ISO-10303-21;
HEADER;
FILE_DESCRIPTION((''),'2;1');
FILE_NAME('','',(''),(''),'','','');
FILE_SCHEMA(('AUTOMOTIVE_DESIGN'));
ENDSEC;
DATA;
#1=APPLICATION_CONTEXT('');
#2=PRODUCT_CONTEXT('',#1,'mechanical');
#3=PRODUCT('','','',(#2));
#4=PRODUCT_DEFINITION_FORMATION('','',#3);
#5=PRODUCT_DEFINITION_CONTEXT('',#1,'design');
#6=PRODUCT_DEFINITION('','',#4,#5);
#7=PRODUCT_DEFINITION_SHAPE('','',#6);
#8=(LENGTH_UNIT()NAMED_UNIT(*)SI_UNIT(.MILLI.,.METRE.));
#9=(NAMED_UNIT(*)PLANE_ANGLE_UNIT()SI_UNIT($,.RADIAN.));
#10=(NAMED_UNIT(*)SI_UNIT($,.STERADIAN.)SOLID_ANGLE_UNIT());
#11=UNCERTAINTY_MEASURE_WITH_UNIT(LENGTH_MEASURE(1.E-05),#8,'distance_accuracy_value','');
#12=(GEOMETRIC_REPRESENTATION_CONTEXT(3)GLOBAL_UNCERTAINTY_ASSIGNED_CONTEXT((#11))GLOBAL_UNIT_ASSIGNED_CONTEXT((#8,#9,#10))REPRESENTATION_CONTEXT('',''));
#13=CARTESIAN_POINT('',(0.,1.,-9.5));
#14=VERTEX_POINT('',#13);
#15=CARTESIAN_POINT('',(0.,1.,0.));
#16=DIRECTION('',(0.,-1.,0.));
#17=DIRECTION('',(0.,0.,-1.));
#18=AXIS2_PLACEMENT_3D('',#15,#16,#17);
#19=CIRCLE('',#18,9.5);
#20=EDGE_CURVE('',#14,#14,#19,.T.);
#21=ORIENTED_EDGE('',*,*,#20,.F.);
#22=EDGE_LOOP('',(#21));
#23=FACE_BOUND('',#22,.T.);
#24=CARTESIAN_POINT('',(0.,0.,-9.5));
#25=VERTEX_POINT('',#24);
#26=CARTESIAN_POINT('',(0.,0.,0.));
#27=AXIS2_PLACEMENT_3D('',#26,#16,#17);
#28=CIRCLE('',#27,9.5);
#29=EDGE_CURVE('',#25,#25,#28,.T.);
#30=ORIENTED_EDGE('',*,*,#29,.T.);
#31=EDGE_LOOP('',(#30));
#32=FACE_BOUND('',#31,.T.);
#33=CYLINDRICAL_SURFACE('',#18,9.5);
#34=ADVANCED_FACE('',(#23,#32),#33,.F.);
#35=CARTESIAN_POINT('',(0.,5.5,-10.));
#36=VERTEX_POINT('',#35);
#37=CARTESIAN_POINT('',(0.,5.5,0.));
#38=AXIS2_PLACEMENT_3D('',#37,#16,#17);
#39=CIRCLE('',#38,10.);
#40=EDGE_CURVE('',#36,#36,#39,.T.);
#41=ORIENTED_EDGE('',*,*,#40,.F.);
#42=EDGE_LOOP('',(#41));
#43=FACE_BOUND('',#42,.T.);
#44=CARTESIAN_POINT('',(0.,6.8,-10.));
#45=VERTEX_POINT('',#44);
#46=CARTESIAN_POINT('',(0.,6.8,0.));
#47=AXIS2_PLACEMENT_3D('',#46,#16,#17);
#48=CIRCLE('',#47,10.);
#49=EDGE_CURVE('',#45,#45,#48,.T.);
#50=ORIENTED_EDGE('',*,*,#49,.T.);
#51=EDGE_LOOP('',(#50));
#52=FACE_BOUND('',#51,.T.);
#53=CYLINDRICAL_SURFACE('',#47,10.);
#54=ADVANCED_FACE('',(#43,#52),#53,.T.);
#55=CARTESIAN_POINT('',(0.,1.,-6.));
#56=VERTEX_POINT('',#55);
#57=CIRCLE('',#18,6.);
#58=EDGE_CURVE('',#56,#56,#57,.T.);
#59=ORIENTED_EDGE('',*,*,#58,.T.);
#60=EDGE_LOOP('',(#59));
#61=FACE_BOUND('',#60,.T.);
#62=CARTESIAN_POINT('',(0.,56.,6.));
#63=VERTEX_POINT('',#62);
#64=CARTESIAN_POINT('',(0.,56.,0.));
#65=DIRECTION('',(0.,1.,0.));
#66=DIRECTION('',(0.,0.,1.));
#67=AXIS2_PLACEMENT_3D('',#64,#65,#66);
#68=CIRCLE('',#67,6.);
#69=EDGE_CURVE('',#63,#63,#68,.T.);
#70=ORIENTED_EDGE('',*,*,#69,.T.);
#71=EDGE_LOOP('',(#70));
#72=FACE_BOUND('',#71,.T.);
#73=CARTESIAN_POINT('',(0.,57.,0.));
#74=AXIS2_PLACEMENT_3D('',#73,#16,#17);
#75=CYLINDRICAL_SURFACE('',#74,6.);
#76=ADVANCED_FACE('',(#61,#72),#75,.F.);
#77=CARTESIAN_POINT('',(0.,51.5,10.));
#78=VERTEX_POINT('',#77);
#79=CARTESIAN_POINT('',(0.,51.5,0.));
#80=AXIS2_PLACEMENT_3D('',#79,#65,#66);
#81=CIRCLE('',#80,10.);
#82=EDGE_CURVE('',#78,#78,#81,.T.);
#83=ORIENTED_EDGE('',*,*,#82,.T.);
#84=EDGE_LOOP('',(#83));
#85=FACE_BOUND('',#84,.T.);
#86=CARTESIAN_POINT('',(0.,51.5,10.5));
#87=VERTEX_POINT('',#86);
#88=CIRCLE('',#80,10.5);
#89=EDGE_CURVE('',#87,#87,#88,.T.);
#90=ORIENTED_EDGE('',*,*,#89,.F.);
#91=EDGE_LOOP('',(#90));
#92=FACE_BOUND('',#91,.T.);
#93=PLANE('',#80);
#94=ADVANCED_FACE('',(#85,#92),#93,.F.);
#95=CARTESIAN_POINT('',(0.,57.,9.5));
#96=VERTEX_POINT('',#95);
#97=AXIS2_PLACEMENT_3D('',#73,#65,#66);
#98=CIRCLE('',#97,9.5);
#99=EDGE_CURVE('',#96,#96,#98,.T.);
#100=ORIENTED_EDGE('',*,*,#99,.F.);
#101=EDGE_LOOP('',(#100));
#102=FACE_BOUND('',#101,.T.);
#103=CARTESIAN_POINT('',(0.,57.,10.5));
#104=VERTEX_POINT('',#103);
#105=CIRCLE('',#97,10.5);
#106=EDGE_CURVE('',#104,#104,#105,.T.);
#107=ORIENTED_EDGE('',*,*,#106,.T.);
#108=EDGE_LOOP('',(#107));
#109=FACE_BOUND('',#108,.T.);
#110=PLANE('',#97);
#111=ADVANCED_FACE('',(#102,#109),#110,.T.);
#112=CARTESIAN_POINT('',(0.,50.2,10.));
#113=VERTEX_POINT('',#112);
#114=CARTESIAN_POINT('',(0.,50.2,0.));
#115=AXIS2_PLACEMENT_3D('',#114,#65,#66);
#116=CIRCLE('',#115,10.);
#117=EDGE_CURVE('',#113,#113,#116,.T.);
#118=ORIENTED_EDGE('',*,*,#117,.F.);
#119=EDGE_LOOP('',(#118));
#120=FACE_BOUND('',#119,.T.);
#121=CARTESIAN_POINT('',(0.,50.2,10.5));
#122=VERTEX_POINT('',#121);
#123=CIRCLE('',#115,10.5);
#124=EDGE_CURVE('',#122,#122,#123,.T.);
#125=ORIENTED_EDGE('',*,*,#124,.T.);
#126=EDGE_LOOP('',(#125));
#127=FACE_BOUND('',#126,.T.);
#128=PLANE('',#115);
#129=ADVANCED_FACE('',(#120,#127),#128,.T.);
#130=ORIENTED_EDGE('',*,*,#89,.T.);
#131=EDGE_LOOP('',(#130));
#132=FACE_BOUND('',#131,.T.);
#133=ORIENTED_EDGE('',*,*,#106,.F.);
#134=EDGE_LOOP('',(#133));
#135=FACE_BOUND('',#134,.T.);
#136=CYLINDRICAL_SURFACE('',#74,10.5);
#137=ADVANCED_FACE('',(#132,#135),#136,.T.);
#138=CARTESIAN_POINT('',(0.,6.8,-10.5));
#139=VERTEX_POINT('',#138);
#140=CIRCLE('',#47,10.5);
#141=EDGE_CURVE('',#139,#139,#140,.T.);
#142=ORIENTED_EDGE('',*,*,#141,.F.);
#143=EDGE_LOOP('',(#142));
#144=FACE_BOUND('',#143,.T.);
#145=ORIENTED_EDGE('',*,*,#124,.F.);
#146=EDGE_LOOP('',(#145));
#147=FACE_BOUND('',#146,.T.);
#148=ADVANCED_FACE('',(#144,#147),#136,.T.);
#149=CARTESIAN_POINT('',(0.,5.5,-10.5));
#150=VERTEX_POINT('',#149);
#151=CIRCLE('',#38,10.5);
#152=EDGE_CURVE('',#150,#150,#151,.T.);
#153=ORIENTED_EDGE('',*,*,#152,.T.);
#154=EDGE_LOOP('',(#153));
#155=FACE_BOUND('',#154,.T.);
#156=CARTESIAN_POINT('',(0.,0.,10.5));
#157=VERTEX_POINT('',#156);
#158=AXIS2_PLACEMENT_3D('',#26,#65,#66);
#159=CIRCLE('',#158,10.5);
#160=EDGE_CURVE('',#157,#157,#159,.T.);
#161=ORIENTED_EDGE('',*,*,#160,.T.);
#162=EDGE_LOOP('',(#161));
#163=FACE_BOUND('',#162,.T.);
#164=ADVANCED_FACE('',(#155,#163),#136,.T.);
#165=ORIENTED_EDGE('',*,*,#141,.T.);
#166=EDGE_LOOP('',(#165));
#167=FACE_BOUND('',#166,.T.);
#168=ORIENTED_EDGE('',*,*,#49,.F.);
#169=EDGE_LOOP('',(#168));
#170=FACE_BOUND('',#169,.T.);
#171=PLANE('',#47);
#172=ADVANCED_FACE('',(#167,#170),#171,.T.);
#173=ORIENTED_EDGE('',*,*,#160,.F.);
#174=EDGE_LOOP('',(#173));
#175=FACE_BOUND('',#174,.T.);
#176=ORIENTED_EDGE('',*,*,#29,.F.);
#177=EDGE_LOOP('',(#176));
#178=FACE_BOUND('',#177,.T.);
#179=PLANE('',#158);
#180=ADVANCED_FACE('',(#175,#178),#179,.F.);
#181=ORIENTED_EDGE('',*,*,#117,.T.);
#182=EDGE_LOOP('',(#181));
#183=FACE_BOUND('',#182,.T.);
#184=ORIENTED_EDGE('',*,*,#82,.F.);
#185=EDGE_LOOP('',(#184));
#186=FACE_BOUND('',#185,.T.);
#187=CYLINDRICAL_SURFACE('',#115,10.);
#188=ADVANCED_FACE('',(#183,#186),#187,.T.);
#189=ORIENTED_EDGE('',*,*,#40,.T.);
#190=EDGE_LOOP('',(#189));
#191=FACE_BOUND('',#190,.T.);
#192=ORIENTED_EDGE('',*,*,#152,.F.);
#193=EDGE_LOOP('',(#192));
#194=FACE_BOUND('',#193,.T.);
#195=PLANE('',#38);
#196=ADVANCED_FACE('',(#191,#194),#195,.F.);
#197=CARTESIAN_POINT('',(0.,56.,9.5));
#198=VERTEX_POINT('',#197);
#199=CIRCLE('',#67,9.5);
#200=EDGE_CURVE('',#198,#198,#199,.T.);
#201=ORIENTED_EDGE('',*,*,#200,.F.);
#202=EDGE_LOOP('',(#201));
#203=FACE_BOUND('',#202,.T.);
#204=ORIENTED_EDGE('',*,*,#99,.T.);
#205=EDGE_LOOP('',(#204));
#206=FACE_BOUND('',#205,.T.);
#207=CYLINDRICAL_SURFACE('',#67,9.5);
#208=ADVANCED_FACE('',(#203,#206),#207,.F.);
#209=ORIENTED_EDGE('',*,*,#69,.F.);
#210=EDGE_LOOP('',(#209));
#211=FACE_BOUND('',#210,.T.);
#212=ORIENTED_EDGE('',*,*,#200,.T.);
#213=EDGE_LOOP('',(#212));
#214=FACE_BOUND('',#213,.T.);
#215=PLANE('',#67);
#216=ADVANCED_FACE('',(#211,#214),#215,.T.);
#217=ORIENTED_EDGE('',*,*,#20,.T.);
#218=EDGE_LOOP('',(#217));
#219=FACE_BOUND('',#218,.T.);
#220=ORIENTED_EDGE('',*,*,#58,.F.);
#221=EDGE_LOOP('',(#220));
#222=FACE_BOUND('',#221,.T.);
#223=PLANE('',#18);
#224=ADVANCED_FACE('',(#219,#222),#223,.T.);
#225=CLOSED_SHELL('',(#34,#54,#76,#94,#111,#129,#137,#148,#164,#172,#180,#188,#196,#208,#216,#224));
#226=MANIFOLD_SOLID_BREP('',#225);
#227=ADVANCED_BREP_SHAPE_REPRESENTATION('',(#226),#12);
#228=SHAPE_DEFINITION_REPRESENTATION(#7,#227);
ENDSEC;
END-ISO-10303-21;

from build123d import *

# Parameters (mm, degrees)
SKETCH1_R         = 10.5
SKETCH1_R_2       = 6
EXTRUDE1_DEPTH    = 57
SKETCH2_R         = 9.5
EXTRUDE2_DEPTH    = 1
SKETCH3_R         = 9.5
EXTRUDE3_DEPTH    = 1
SKETCH4_OUTSIDE_W = 35.854
SKETCH4_OUTSIDE_H = 35.854
SKETCH4_OUTSIDE_R = 10
EXTRUDE4_DEPTH    = 1.3
SKETCH5_OUTSIDE_W = 35.854
SKETCH5_OUTSIDE_H = 35.854
SKETCH5_OUTSIDE_R = 10
EXTRUDE5_DEPTH    = 1.3


with BuildPart() as part:
    # Sketch1 → Extrude1 (new body)
    with BuildSketch(Plane(origin=(0, 0, 0), x_dir=(1, 0, 0), z_dir=(0, 1, 0))):
        Circle(SKETCH1_R)
        Circle(SKETCH1_R_2, mode=Mode.SUBTRACT)
    extrude(amount=EXTRUDE1_DEPTH)

    # Sketch2 → Extrude2 (cut)
    with BuildSketch(Plane(origin=(0, 57, 0), x_dir=(1, 0, 0), z_dir=(0, 1, 0))):
        Circle(SKETCH2_R)
    extrude(amount=-EXTRUDE2_DEPTH, mode=Mode.SUBTRACT)

    # Sketch3 → Extrude3 (cut)
    with BuildSketch(Plane.XZ):
        Circle(SKETCH3_R)
    extrude(amount=-EXTRUDE3_DEPTH, mode=Mode.SUBTRACT)

    # Sketch4 outside → Extrude4 (cut)
    with BuildSketch(Plane(origin=(0, 51.5, 0), x_dir=(1, 0, 0), z_dir=(0, 1, 0))):
        Rectangle(SKETCH4_OUTSIDE_W, SKETCH4_OUTSIDE_H)
        Circle(SKETCH4_OUTSIDE_R, mode=Mode.SUBTRACT)
    extrude(amount=-EXTRUDE4_DEPTH, mode=Mode.SUBTRACT)

    # Sketch5 outside → Extrude5 (cut)
    with BuildSketch(Plane(origin=(0, 5.5, 0), x_dir=(-1, 0, 0), z_dir=(0, -1, 0))):
        Rectangle(SKETCH5_OUTSIDE_W, SKETCH5_OUTSIDE_H)
        Circle(SKETCH5_OUTSIDE_R, mode=Mode.SUBTRACT)
    extrude(amount=-EXTRUDE5_DEPTH, mode=Mode.SUBTRACT)


solid = part.part
